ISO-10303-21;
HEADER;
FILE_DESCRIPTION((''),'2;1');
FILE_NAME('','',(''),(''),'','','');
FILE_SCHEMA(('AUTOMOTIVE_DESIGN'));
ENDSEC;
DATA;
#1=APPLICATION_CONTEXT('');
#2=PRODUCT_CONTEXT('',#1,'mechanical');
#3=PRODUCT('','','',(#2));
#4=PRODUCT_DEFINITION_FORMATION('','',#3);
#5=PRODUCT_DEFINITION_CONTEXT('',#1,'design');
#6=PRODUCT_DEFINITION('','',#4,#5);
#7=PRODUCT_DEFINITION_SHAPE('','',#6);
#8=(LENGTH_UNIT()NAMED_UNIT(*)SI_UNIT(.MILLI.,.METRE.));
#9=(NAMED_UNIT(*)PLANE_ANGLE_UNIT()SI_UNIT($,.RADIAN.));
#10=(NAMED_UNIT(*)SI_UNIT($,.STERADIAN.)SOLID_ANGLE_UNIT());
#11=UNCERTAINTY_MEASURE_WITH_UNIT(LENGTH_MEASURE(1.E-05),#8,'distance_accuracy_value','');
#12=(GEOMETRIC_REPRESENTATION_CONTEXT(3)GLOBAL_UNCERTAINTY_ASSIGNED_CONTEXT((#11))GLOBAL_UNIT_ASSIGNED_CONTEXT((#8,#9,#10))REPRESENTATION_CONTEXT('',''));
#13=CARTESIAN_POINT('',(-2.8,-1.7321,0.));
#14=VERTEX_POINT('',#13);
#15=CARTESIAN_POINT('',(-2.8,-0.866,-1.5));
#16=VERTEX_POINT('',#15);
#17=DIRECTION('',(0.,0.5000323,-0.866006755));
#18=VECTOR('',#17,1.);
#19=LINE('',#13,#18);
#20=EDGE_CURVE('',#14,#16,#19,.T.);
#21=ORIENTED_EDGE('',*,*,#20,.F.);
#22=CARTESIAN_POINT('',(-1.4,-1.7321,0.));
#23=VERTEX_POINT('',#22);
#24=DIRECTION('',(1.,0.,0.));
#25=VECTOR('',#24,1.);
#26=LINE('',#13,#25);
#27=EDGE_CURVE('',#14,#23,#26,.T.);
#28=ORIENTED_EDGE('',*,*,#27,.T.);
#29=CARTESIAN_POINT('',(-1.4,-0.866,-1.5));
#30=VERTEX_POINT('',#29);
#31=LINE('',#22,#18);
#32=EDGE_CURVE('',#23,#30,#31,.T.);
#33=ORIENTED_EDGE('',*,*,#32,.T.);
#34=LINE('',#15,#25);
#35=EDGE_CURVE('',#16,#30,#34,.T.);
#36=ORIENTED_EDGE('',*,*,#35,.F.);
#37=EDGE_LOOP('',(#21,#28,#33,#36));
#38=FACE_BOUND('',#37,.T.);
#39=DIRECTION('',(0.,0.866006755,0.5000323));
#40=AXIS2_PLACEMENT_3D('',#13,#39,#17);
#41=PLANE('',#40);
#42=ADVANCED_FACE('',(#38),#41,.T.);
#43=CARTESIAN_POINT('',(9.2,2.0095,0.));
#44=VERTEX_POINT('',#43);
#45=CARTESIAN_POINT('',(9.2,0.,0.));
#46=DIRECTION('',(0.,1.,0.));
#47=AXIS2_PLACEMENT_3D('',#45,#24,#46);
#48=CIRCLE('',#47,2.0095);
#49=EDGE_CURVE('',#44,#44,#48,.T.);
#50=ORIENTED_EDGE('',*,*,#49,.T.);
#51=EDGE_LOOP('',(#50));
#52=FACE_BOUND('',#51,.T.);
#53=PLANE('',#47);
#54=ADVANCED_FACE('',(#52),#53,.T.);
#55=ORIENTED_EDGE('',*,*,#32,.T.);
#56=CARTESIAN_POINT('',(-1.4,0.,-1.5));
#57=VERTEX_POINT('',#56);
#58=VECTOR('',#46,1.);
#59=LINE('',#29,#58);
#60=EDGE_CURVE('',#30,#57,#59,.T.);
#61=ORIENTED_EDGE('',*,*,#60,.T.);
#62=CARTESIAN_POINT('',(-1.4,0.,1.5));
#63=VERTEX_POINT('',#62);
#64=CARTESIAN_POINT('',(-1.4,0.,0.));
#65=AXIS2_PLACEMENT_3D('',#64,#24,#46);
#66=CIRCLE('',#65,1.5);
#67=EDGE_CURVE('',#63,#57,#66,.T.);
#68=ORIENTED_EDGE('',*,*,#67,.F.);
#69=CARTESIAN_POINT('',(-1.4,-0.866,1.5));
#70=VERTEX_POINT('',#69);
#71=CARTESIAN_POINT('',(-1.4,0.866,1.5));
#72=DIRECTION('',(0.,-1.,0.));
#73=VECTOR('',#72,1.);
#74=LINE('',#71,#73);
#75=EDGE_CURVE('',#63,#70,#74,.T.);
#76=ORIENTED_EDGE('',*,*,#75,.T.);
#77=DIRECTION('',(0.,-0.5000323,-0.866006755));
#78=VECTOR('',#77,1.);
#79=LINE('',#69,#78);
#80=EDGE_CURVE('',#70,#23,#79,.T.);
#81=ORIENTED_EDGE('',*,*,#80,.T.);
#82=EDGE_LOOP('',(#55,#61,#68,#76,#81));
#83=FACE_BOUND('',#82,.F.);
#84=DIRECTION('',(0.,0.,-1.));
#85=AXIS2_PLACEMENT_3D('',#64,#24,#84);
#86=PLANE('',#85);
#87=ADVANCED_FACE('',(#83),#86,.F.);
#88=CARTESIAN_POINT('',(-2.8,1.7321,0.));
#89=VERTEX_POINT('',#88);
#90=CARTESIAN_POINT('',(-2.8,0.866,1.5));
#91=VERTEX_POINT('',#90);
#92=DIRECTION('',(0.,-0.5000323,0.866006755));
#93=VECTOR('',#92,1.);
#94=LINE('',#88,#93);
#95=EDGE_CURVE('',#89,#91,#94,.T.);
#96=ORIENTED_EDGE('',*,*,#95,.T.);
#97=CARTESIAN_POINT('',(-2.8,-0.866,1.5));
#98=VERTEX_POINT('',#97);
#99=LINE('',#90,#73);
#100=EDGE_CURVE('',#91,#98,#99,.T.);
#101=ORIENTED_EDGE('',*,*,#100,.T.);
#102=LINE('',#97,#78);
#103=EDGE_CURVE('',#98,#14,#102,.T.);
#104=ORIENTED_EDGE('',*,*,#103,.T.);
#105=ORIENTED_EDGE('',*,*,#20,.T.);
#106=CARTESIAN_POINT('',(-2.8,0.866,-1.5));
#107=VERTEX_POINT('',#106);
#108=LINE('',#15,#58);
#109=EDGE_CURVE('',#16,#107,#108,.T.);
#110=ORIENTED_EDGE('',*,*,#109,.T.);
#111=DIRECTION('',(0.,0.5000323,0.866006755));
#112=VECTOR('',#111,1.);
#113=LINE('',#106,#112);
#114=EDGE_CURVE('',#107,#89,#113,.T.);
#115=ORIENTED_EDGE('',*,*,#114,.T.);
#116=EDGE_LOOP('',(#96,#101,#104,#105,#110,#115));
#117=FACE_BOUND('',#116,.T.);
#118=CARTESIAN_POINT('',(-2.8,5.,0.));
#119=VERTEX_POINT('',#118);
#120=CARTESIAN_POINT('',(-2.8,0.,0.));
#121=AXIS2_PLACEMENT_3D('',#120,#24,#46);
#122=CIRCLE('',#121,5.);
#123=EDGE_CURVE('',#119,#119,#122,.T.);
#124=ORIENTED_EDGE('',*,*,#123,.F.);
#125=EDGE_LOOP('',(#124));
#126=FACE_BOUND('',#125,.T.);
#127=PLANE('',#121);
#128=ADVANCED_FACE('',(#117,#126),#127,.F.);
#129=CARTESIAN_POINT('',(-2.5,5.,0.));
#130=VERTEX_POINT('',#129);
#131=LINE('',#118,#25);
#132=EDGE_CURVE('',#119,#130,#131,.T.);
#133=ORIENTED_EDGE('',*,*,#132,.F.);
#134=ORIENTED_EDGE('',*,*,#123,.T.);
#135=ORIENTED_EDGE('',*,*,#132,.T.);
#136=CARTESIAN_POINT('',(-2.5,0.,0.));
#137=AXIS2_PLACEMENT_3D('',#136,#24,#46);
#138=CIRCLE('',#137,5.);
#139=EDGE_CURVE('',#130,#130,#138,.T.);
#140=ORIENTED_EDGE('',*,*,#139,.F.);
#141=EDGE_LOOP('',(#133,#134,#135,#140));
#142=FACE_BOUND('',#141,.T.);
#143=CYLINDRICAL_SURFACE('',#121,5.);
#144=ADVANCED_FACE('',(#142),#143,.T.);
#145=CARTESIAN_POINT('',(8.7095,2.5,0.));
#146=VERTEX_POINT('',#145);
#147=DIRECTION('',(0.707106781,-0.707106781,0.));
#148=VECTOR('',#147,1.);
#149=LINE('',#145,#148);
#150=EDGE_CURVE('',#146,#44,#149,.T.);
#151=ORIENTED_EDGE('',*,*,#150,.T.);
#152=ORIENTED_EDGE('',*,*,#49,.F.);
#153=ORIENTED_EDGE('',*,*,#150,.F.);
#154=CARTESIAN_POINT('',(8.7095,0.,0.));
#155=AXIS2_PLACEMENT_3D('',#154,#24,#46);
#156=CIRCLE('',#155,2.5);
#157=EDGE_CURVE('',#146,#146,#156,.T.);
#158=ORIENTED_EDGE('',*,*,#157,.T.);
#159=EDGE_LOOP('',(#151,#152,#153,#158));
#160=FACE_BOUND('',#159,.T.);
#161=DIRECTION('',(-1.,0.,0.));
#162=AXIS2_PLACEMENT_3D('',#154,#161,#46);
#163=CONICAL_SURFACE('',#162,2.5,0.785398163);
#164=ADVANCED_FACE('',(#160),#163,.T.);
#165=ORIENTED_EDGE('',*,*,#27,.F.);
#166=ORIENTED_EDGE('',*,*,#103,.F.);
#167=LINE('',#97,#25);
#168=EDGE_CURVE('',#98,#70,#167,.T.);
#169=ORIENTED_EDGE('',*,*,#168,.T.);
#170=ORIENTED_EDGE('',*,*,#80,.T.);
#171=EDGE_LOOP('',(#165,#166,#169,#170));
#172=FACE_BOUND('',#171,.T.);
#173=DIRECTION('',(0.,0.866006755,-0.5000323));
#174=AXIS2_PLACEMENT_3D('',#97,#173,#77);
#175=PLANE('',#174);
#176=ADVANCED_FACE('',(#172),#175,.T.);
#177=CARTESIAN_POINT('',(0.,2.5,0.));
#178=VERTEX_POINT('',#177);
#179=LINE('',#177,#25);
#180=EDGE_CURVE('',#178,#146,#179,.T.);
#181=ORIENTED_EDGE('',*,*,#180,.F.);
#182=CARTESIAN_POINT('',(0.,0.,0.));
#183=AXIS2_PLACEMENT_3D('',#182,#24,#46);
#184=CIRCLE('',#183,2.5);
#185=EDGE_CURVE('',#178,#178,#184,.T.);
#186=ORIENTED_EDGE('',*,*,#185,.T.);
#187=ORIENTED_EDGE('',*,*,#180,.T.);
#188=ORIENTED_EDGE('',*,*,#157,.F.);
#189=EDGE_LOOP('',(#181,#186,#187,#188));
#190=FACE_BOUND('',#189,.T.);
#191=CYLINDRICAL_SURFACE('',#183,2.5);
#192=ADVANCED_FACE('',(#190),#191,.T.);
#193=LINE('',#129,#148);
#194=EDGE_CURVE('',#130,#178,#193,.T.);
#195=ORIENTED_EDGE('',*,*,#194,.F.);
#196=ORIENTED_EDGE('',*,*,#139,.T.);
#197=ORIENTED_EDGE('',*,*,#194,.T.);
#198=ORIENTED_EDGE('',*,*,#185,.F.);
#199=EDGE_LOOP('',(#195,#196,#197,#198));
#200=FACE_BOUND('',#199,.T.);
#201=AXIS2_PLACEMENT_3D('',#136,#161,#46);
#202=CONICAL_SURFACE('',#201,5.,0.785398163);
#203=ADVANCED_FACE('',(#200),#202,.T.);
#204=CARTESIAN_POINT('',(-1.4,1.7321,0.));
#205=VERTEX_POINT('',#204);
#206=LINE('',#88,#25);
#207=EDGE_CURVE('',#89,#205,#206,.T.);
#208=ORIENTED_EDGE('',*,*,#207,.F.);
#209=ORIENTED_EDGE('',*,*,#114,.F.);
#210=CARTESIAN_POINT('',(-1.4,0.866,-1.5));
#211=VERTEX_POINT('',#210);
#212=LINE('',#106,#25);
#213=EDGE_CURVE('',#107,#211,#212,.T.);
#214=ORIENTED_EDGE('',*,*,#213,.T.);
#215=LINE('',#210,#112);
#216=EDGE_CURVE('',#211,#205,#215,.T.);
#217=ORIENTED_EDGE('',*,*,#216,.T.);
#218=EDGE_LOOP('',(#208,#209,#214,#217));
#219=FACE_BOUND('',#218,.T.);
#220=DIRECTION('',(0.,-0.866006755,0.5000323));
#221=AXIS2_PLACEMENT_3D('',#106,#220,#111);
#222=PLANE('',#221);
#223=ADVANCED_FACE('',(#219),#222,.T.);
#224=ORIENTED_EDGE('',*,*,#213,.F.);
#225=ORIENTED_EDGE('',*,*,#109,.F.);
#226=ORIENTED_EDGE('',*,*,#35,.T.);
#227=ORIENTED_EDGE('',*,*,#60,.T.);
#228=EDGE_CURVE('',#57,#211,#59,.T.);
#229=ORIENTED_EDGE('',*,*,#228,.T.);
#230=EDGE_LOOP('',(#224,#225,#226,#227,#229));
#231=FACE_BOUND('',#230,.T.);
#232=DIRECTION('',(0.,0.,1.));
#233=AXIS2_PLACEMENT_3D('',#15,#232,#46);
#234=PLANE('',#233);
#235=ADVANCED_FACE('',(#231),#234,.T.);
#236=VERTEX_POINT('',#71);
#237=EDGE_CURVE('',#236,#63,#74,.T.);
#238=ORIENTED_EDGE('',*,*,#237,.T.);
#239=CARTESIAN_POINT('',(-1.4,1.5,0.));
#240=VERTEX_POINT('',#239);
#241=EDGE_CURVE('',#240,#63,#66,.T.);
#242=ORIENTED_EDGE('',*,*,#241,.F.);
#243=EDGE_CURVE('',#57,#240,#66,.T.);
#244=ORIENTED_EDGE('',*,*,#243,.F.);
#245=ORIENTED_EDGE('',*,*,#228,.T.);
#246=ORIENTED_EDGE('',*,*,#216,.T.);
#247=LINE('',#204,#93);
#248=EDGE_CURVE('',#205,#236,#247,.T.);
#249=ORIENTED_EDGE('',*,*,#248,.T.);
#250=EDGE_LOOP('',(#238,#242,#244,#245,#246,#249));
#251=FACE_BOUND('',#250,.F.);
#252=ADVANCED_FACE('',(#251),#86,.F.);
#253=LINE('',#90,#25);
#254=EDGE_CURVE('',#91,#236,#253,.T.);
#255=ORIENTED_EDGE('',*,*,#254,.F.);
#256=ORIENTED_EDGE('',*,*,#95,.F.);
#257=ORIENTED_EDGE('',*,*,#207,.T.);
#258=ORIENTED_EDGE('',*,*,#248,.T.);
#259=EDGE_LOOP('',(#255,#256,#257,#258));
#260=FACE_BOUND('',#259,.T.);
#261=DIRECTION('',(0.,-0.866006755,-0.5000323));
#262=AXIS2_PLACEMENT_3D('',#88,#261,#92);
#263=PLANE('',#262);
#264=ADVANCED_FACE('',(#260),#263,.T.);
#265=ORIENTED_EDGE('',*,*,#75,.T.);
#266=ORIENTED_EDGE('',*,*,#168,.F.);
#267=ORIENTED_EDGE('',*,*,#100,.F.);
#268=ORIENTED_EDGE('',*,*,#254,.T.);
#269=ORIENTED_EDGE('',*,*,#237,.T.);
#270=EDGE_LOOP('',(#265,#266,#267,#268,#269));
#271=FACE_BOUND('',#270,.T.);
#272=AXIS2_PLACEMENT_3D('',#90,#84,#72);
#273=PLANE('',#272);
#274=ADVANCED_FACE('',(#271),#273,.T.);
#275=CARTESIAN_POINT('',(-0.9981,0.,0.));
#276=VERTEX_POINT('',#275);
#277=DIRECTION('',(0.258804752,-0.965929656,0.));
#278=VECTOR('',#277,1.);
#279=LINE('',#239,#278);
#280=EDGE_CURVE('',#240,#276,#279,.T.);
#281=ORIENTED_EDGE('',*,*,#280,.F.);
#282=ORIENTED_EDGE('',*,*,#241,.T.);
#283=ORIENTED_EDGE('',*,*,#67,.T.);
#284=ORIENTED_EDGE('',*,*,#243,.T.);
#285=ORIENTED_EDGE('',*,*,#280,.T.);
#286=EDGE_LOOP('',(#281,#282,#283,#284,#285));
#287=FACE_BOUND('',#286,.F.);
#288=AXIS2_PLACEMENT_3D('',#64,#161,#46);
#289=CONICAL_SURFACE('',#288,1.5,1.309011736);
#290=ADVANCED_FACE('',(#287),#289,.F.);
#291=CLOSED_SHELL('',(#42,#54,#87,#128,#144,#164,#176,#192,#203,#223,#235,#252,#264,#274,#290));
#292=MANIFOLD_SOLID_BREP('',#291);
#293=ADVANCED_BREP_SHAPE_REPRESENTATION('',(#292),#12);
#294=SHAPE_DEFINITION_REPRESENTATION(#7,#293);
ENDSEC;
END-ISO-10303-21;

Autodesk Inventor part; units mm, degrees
sketch "Sketch_1" plane through (0, 0, 0) normal (0, 0, 1) x (1, 0, 0)
  line L0 (9.2, 0) -> (0, 0)
  line L1 (-2.8, 0) -> (-2.8, 5)
  line L2 (-2.8, 5) -> (-2.5, 5)
  line L3 (-2.5, 5) -> (0, 2.5)
  line L4 (0, 2.5) -> (8.7095, 2.5)
  line L5 (8.7095, 2.5) -> (9.2, 2.0095)
  line L6 (9.2, 2.0095) -> (9.2, 0)
  line L7 (9.2, 0) -> (-2.8, 0)
revolve "Revolution1" add sketch "Sketch_1" angle 360 about axis through (9.2, 0, 0) along (1, 0, 0)
thread "Thread1" size "M5x0.8" class "6g" standard "ISO Metric profile" length 8.3 offset 0.9
sketch "Sketch_4" plane through (0, 0, 0) normal (0, 0, 1) x (1, 0, 0)
  line L0 (-0.9981, 0) -> (-2.8, 0)
  line L1 (-2.8, 0) -> (-2.8, 1.5)
  line L2 (-2.8, 1.5) -> (-1.4, 1.5)
  line L3 (-1.4, 1.5) -> (-0.9981, 0)
  line L4 (-0.9981, 0) -> (-2.8, 0)
revolve "Revolution2" cut sketch "Sketch_4" angle 360 about axis through (-0.9981, 0, 0) along (1, 0, 0)
sketch "Sketch_3" plane through (-2.8, 0, 0) normal (1, 0, 0) x (0, 0, -1)
  line L0 (-1.5, 0.866) -> (-1.5, -0.866)
  line L1 (-1.5, -0.866) -> (0, -1.7321)
  line L2 (0, -1.7321) -> (1.5, -0.866)
  line L3 (1.5, -0.866) -> (1.5, 0.866)
  line L4 (1.5, 0.866) -> (0, 1.7321)
  line L5 (0, 1.7321) -> (-1.5, 0.866)
extrude "Extrusion1" cut sketch "Sketch_3" along normal blind 1.4
ref_plane "dummy_to_bolt_XY" through (0, 0, 0) normal (1, 0, 0) x (0, 0, -1)
ref_plane "dummy_to_bolt_YZ" through (0, 0, 0) normal (0, 0, -1) x (0, 1, 0)
ref_plane "dummy_to_bolt_ZX" through (0, 0, 0) normal (0, 1, 0) x (1, 0, 0)
ref_plane "bolt_to_nut_XY" through (9.2, 0, 0) normal (1, 0, 0) x (0, 0, -1)
ref_plane "bolt_to_nut_YZ" through (9.2, 0, 0) normal (0, 0, -1) x (0, 1, 0)
ref_plane "bolt_to_nut_ZX" through (9.2, 0, 0) normal (0, 1, 0) x (1, 0, 0)
properties part number "SHFBS5-12"
